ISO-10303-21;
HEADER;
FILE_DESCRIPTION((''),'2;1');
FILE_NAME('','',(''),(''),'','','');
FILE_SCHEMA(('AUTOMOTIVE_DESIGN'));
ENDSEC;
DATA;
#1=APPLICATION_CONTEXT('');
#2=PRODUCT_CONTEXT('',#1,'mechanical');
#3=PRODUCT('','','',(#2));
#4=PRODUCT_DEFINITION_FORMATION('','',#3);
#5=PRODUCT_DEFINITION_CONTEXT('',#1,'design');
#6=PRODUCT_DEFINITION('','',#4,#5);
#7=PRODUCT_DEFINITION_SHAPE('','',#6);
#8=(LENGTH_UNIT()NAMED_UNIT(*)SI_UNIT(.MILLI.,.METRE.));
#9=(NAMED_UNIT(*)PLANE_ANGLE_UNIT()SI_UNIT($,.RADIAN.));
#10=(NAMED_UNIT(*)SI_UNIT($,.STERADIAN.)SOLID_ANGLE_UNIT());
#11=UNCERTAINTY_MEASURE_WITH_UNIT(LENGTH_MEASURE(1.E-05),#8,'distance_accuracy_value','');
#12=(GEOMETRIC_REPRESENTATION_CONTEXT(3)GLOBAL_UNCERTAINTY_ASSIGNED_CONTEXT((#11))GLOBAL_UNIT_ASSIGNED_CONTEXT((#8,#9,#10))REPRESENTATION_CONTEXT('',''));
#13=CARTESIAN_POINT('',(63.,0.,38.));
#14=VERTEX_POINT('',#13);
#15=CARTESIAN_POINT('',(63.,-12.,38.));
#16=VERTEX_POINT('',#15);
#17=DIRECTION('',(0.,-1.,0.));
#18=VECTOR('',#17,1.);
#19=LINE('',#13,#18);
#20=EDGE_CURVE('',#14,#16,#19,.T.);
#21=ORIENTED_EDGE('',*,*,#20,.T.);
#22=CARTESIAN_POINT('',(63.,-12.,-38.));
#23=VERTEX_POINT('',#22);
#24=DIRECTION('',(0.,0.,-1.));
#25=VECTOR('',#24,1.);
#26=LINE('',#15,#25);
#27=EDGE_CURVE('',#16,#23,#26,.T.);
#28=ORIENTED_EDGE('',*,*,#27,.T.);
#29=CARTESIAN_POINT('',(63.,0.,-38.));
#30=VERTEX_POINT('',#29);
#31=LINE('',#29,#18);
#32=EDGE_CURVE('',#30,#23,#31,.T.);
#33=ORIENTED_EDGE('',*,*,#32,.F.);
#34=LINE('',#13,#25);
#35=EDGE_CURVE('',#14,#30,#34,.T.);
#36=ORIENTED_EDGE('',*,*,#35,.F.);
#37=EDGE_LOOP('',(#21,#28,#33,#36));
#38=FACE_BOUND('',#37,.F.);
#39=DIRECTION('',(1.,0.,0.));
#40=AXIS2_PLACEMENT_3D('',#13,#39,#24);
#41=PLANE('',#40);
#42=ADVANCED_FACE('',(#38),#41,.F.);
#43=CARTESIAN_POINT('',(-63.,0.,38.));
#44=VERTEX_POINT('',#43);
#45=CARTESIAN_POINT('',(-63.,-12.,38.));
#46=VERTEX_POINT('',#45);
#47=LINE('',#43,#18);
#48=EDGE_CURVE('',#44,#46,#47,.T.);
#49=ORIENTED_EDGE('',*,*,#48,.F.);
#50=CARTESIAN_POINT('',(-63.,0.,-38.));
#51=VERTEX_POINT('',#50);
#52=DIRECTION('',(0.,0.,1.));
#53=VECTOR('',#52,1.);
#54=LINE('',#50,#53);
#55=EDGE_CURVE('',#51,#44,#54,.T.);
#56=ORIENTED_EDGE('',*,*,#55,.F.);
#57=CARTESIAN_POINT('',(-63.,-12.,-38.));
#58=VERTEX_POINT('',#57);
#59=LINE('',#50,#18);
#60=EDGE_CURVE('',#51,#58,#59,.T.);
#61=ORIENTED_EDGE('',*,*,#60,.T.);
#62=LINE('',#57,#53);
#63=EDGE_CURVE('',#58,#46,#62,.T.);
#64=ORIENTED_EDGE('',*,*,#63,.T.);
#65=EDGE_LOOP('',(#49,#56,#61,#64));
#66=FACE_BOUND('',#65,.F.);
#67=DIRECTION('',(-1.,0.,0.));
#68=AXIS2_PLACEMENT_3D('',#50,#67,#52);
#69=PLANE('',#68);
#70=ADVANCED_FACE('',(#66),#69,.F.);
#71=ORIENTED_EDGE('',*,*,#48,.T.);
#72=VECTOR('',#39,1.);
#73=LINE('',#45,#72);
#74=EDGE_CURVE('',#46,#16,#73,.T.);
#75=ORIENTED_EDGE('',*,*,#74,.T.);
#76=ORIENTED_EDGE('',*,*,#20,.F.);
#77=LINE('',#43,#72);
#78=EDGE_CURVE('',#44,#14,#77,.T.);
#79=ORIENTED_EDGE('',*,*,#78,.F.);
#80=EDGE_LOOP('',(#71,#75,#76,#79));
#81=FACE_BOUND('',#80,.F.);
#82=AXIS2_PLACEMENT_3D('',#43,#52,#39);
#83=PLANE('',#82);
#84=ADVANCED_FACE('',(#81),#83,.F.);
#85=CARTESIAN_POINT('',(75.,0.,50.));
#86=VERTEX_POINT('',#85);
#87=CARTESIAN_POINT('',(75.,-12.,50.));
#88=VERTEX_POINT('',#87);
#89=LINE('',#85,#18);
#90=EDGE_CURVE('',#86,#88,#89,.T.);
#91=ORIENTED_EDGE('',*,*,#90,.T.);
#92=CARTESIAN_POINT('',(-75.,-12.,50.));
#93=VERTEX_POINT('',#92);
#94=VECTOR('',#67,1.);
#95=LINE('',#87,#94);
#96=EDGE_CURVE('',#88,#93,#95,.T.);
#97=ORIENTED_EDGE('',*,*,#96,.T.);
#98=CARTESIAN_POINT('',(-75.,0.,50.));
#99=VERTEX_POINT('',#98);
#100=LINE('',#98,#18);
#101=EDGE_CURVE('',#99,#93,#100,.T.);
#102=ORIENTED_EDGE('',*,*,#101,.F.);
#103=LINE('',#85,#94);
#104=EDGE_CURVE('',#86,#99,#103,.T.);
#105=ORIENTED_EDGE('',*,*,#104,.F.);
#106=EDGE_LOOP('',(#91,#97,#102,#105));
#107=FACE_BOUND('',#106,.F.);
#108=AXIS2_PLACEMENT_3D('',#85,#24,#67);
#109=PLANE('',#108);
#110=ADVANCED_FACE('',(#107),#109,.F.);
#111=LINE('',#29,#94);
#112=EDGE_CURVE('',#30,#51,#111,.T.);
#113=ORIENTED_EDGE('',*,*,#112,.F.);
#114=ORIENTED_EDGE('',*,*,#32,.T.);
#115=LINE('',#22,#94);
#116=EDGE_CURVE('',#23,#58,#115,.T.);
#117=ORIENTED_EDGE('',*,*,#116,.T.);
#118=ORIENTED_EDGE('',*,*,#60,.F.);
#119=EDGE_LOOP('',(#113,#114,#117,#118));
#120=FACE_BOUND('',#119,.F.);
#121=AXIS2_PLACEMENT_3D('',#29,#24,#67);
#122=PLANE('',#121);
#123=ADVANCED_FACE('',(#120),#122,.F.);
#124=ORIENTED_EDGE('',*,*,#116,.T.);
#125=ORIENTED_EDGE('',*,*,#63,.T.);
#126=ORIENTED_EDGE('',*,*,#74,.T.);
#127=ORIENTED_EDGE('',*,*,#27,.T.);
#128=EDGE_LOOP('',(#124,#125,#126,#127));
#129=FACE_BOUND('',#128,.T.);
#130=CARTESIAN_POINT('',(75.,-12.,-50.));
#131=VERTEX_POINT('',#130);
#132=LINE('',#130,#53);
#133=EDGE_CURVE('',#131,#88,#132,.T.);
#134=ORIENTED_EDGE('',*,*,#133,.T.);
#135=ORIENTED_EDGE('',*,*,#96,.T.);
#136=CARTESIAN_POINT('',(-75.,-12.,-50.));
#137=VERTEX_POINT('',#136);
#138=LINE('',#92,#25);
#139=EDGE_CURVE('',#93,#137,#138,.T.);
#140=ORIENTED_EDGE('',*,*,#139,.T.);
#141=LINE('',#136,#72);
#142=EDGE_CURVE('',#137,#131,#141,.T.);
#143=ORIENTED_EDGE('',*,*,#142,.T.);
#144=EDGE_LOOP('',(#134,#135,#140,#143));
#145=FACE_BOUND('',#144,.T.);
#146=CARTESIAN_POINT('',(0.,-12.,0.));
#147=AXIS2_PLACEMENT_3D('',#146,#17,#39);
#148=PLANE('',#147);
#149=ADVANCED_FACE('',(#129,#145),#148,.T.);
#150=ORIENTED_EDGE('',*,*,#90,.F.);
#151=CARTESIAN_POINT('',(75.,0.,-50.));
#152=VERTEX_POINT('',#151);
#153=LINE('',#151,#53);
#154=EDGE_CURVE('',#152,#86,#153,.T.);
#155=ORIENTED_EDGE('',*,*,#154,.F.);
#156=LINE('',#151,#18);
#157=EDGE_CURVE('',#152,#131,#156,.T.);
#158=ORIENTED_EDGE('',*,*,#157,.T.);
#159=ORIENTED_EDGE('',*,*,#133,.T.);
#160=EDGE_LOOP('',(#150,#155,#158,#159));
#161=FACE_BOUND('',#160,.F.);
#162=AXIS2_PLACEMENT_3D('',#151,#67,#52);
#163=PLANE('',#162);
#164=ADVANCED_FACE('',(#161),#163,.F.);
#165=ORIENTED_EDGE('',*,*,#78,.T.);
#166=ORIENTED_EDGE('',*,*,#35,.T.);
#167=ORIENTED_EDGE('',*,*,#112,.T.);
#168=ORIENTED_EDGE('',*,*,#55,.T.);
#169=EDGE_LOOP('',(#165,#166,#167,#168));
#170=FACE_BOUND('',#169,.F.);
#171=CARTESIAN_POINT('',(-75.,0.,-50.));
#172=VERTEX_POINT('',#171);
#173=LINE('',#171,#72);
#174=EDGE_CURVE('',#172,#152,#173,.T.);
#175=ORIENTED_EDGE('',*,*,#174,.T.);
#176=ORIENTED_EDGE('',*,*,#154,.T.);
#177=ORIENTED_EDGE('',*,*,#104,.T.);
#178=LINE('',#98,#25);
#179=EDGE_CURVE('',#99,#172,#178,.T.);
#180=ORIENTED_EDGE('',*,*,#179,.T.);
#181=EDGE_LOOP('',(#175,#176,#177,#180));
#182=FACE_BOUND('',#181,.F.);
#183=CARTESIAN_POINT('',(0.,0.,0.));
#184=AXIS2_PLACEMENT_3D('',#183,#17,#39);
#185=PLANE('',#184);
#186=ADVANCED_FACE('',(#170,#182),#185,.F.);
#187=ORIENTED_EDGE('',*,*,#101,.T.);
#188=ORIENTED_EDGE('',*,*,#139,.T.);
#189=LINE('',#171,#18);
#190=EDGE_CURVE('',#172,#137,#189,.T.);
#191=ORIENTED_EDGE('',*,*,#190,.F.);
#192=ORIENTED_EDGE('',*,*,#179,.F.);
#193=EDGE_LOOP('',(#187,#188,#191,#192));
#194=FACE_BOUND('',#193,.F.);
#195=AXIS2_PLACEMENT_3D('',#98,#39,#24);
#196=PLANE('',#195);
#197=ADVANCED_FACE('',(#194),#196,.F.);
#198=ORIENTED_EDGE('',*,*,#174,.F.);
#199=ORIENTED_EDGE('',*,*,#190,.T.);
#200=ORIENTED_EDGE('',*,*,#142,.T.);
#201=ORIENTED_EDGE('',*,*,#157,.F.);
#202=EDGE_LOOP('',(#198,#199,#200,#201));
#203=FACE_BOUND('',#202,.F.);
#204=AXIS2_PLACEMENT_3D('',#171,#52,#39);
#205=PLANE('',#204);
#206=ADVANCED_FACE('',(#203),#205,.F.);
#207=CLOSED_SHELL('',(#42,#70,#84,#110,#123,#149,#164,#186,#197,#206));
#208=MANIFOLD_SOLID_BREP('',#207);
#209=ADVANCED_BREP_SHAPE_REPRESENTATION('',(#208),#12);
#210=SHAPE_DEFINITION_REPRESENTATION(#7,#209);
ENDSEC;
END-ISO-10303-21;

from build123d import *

# Parameters (mm, degrees)
F1_DEPTH = 12


with BuildPart() as f1:
    # F0 (on Front) → F1 (new body)
    with BuildSketch(Plane.XZ):
        Polygon((-63, 50), (-75, 50), (-75, -50), (75, -50), (75, 50), align=None)
        Polygon((0, -38), (-63, -38), (-63, 38), (0, 38), (63, 38), (63, -38), align=None, mode=Mode.SUBTRACT)
    extrude(amount=F1_DEPTH)


solid = f1.part
